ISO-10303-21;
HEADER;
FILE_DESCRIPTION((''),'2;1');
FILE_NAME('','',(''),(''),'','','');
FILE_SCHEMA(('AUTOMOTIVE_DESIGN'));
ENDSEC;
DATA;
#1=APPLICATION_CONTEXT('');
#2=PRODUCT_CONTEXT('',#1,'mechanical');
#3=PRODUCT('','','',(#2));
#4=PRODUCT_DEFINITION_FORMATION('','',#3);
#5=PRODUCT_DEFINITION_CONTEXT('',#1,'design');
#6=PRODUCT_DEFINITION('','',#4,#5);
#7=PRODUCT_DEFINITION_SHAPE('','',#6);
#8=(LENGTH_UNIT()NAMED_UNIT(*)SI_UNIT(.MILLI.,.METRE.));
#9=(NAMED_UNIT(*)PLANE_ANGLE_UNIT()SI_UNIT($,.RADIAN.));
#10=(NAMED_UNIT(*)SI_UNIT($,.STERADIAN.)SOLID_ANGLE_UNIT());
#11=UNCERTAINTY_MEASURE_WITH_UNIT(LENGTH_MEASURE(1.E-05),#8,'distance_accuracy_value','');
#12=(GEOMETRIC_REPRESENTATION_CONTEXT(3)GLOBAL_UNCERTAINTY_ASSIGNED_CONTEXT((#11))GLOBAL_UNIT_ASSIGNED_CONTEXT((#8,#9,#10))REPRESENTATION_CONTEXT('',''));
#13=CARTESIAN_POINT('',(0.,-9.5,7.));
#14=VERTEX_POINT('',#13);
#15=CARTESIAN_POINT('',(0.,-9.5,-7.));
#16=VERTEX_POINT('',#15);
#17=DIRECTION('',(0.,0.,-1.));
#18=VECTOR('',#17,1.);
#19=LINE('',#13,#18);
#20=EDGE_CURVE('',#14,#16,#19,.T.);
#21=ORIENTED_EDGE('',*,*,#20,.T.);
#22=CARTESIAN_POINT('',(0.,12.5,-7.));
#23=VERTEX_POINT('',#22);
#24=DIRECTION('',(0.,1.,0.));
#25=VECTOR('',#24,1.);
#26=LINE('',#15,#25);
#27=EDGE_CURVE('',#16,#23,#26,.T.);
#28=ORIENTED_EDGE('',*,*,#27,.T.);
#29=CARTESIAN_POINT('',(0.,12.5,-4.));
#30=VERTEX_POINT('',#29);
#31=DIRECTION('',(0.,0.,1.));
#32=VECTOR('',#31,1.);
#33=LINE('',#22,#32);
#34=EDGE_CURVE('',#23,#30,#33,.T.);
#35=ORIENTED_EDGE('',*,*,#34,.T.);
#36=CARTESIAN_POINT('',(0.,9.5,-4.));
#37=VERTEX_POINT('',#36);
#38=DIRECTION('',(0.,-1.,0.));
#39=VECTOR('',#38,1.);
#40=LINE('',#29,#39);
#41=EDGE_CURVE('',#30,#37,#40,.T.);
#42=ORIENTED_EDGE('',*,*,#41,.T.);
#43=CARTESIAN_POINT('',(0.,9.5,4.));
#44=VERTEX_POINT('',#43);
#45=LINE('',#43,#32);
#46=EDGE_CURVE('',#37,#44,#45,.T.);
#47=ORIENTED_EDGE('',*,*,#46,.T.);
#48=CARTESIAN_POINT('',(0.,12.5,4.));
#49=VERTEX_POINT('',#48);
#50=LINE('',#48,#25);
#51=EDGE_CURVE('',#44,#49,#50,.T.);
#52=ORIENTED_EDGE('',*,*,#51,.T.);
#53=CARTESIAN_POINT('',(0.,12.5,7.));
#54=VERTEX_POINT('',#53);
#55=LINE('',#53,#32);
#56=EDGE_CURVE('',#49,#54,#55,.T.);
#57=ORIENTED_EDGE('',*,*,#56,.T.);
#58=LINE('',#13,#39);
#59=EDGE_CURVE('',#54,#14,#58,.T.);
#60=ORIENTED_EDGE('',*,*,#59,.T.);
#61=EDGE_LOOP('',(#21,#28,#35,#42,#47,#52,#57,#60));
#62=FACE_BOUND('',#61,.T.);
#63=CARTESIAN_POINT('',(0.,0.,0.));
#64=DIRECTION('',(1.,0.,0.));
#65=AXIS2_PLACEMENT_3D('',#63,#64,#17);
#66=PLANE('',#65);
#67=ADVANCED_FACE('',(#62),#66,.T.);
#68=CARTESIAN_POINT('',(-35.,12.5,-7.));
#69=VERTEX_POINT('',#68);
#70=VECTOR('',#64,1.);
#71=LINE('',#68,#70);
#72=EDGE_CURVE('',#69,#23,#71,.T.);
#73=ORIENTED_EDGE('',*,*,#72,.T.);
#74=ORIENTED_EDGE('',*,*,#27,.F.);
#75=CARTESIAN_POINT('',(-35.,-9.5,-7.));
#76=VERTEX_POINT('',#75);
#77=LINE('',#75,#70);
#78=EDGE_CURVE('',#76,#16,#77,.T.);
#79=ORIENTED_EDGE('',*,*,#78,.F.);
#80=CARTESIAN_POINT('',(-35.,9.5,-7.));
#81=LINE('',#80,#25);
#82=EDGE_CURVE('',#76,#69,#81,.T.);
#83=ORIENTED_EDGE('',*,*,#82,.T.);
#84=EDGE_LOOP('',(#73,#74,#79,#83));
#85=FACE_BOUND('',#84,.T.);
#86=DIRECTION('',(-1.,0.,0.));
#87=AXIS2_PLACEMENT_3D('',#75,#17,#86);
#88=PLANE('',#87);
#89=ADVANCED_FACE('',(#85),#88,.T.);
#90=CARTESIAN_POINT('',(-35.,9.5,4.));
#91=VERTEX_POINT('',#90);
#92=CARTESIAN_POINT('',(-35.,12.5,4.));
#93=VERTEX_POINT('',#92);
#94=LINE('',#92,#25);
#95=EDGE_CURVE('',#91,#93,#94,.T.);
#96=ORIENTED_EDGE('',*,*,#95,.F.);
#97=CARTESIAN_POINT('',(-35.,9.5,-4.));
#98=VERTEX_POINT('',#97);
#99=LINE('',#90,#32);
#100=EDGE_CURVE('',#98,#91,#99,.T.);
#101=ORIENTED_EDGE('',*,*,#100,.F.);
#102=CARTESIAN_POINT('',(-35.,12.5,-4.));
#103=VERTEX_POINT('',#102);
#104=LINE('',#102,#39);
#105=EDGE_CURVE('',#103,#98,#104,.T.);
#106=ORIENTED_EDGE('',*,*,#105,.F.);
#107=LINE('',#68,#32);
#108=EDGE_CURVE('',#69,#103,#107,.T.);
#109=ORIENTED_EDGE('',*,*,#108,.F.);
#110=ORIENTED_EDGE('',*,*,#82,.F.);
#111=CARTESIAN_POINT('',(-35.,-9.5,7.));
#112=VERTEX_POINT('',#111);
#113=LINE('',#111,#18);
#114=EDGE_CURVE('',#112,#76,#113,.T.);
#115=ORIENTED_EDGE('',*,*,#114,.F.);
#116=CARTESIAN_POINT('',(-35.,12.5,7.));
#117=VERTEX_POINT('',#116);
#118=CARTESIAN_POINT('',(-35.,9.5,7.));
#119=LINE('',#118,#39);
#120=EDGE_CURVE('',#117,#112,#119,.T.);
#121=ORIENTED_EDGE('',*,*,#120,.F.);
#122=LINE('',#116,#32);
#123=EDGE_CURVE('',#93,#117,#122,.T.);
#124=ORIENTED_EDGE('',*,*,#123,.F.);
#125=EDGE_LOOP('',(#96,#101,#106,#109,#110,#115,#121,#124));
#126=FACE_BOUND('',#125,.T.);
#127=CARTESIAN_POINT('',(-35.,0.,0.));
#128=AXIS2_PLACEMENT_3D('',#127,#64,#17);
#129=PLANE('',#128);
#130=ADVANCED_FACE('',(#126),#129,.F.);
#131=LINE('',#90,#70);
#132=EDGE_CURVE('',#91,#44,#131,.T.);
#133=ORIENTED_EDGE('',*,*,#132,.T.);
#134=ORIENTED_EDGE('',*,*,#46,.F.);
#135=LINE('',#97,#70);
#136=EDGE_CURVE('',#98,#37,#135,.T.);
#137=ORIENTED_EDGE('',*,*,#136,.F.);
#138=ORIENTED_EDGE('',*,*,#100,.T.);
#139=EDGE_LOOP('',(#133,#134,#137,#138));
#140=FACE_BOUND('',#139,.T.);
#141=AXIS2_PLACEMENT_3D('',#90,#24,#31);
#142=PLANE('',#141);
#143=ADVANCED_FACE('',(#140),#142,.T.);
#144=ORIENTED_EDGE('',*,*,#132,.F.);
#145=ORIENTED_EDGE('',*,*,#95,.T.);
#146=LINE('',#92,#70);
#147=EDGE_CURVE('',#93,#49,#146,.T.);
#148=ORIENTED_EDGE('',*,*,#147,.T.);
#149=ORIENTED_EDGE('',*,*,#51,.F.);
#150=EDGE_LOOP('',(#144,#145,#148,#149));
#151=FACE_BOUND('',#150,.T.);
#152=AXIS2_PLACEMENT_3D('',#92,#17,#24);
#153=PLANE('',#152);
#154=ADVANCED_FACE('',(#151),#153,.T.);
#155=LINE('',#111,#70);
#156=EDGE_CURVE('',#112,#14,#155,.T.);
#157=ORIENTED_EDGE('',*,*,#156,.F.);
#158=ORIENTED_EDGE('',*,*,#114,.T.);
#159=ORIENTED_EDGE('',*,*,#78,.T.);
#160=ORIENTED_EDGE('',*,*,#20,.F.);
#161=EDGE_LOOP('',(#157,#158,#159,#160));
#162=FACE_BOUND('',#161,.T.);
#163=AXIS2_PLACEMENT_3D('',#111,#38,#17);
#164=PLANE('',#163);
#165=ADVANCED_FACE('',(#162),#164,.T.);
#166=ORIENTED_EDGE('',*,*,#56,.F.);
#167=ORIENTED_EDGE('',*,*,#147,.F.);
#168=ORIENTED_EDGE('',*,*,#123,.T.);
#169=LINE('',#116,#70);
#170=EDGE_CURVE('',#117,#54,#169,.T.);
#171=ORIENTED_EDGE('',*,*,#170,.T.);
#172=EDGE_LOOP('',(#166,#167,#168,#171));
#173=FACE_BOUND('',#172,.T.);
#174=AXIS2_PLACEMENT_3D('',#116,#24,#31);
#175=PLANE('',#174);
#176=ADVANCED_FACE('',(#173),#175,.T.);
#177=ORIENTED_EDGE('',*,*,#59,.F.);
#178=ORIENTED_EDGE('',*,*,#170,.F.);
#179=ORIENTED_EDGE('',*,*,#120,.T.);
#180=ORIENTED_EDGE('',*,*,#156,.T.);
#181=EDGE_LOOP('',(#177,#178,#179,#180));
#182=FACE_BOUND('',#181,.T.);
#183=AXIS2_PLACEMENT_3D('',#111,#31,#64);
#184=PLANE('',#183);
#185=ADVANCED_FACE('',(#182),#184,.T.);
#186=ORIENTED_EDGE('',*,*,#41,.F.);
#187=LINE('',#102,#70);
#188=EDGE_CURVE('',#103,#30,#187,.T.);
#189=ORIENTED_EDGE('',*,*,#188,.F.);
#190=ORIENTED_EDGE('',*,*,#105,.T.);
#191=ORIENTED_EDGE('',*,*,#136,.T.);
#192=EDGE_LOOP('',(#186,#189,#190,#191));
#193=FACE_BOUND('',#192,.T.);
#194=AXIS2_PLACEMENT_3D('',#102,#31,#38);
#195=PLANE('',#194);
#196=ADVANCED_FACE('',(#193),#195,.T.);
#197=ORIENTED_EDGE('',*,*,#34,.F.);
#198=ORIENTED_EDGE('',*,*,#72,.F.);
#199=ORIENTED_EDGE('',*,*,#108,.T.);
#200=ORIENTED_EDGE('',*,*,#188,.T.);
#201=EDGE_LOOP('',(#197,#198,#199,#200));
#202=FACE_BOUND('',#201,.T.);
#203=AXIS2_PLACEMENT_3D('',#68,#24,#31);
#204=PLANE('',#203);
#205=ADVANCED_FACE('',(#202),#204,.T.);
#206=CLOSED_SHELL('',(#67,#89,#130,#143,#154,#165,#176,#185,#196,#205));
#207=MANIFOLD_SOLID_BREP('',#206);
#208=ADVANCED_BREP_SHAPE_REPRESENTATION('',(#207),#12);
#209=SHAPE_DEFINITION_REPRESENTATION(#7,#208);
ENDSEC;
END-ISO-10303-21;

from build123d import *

# Parameters (mm, degrees)
BOSS_EXTRUDE1_DEPTH = 35


with BuildPart() as part:
    # Sketch1 → Boss-Extrude1 (new body)
    with BuildSketch(Plane(origin=(0, 0, 0), x_dir=(0, 0, -1), z_dir=(1, 0, 0))):
        Polygon((-7, 9.5), (-7, 12.5), (-4, 12.5), (-4, 9.5), (4, 9.5), (4, 12.5), (7, 12.5), (7, 9.5), (7, -9.5), (-7, -9.5), align=None)
    extrude(amount=-BOSS_EXTRUDE1_DEPTH)


solid = part.part
